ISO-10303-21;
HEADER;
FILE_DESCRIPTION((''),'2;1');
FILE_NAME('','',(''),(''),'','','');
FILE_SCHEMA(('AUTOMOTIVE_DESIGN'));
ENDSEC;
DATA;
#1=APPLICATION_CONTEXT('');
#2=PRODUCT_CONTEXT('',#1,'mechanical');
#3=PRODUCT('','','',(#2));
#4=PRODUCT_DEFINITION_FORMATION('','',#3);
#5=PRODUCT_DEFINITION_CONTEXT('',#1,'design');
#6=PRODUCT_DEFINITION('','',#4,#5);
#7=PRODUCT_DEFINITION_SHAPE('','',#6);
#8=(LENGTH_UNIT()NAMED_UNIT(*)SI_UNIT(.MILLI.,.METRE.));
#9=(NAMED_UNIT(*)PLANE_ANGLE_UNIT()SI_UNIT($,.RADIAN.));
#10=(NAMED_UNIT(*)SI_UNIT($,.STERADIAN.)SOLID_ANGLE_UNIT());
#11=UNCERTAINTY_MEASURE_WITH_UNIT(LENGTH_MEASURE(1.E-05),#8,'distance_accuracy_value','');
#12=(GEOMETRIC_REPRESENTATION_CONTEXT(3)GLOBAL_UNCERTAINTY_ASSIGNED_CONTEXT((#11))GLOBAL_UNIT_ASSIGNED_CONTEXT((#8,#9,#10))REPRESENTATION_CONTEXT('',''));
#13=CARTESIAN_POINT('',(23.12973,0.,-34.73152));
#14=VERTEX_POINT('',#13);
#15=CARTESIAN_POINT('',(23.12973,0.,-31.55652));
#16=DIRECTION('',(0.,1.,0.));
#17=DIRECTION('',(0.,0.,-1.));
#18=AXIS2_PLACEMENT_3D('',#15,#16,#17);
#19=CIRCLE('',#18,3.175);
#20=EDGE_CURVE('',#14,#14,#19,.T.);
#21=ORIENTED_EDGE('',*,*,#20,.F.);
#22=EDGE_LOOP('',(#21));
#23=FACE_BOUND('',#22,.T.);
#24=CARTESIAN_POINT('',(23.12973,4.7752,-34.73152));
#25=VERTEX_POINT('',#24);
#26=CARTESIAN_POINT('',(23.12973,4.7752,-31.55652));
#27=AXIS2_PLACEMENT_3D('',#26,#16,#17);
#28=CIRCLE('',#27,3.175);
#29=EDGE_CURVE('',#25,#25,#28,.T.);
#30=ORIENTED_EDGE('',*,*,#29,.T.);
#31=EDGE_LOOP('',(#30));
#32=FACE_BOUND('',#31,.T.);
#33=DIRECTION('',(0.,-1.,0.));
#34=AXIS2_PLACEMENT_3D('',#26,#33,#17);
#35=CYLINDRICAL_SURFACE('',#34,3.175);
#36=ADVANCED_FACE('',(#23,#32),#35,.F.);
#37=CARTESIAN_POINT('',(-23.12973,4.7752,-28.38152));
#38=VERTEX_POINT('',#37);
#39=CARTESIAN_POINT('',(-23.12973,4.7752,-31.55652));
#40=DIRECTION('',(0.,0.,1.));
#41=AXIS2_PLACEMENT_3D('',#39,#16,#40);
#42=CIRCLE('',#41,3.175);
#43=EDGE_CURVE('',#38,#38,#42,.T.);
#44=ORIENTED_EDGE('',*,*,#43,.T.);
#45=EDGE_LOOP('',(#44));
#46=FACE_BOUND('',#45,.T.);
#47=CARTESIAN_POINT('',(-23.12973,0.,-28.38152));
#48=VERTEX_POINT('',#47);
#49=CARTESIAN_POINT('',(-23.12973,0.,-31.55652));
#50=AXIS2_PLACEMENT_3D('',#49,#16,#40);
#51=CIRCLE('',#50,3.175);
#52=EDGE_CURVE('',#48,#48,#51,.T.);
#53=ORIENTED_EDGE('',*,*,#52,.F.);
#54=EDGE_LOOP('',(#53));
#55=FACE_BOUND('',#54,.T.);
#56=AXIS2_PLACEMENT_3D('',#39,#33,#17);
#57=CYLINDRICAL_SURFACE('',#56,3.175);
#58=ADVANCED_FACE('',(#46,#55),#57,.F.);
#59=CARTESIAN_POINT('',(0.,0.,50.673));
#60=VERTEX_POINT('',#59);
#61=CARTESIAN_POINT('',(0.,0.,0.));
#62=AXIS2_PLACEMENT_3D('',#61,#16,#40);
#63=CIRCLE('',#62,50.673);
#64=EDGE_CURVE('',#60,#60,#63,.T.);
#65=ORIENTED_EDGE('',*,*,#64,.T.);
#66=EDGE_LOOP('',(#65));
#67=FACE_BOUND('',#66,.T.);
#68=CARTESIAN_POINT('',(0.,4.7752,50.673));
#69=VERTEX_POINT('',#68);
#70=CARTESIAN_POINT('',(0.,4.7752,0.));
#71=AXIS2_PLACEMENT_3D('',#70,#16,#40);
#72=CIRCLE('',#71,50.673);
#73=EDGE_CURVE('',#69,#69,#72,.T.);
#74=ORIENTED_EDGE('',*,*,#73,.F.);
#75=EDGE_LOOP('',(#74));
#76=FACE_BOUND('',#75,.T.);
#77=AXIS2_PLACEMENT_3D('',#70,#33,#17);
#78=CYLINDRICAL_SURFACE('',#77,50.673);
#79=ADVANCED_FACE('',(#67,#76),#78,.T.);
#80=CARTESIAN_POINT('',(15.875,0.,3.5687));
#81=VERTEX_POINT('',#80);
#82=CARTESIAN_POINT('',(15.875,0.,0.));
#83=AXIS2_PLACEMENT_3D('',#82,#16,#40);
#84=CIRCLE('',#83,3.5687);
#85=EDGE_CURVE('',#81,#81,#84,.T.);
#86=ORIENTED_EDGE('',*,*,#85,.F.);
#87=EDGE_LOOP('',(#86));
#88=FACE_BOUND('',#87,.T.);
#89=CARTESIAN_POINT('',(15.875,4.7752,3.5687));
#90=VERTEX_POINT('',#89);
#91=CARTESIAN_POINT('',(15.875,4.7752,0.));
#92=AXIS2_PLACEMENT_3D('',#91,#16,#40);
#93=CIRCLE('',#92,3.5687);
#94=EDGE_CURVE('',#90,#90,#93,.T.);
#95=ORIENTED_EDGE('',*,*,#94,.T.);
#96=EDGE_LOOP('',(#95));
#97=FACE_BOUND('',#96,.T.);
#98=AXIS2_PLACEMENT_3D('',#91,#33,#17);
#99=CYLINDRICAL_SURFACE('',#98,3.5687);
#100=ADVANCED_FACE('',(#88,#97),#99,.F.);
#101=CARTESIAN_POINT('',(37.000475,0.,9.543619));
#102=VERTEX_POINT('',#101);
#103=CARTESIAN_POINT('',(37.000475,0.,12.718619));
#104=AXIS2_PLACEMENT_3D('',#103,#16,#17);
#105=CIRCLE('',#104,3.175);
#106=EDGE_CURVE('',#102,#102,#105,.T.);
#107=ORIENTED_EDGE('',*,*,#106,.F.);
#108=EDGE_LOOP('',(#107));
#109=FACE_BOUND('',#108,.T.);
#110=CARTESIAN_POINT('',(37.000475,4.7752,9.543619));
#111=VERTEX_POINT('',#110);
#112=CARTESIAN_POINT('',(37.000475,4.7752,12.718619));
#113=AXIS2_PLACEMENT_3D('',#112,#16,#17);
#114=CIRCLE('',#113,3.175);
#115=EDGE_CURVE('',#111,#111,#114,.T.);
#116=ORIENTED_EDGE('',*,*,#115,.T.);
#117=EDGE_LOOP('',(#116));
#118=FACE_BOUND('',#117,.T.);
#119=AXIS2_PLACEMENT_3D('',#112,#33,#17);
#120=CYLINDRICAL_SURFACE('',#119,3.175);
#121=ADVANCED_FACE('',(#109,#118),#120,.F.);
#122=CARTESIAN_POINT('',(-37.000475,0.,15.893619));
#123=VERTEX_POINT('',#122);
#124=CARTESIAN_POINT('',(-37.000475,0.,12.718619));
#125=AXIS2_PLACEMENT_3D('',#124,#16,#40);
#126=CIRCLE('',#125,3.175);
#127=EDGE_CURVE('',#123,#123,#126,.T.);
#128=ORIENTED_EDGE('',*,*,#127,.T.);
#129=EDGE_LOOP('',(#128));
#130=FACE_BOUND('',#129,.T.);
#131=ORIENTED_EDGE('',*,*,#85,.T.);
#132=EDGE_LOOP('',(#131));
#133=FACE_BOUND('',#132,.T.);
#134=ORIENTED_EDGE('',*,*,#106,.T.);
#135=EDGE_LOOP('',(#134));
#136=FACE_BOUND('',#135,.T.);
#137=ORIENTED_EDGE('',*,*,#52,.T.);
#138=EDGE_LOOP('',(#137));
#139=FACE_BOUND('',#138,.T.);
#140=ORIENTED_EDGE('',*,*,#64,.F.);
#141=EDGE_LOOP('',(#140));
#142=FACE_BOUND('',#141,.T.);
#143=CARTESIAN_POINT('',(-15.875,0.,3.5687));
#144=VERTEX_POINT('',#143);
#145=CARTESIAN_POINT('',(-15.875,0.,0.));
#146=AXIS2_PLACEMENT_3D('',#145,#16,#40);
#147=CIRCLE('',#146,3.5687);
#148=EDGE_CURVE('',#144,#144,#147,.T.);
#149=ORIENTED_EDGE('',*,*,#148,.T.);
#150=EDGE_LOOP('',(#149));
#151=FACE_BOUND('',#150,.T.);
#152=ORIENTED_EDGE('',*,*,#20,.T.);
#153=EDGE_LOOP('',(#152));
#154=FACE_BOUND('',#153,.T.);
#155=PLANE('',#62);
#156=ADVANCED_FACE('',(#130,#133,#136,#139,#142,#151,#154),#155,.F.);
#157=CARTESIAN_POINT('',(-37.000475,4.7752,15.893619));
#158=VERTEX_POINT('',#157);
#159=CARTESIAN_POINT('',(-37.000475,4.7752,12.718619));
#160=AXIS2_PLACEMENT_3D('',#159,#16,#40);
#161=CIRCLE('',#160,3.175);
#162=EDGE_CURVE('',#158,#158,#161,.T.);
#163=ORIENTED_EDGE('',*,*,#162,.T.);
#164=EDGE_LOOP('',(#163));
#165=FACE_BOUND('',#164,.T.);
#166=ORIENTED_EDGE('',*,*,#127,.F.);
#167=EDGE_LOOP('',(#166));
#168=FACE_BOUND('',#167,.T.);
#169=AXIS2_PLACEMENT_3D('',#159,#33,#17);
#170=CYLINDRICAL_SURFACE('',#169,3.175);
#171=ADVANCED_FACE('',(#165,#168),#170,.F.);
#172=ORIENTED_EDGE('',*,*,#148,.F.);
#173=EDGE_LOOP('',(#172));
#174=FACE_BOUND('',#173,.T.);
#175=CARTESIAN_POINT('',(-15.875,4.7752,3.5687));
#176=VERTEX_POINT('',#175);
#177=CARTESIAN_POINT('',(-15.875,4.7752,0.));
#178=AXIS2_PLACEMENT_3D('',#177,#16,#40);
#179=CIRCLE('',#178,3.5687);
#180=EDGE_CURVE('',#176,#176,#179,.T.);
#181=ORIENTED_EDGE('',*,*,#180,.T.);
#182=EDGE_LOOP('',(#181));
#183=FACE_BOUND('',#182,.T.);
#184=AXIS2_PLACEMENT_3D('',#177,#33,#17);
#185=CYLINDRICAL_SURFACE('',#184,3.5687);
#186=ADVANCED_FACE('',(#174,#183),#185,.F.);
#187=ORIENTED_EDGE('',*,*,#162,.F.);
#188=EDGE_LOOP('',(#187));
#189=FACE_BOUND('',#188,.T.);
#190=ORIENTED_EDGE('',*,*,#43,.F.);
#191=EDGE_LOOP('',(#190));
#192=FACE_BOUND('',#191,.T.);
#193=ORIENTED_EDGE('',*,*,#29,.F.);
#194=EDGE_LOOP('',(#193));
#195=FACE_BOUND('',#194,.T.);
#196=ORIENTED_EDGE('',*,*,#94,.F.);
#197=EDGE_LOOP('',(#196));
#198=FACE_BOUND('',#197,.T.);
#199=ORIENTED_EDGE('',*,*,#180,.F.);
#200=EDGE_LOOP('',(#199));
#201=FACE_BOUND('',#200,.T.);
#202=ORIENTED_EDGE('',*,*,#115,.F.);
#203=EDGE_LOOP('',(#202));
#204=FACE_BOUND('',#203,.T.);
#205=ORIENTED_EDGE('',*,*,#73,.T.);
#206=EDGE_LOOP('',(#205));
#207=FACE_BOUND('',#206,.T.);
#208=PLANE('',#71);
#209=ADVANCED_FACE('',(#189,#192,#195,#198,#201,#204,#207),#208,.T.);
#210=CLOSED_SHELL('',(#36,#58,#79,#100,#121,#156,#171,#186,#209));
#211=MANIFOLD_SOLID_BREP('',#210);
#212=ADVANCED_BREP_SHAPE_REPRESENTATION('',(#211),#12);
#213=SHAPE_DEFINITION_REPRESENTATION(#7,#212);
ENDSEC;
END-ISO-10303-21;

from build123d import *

# Parameters (mm, degrees)
SKETCH1_R           = 50.673
SKETCH1_R_2         = 3.5687
SKETCH1_R_3         = 3.175
BOSS_EXTRUDE1_DEPTH = 4.7752


with BuildPart() as part:
    # Sketch1 → Boss-Extrude1 (new body)
    with BuildSketch(Plane(origin=(0, 0, 0), x_dir=(1, 0, 0), z_dir=(0, 1, 0))):
        with Locations(Location((0, 0, 0), (0, 0, 270))):
            Circle(SKETCH1_R)
        with Locations(Location((-15.875, 0, 0), (0, 0, 270))):
            Circle(SKETCH1_R_2, mode=Mode.SUBTRACT)
        with Locations(Location((15.875, 0, 0), (0, 0, 270))):
            Circle(SKETCH1_R_2, mode=Mode.SUBTRACT)
        with Locations(Location((-37.000474805, -12.718618741, 0), (0, 0, 270))):
            Circle(SKETCH1_R_3, mode=Mode.SUBTRACT)
        with Locations(Location((-23.12973035, 31.556520284, 0), (0, 0, 270))):
            Circle(SKETCH1_R_3, mode=Mode.SUBTRACT)
        with Locations(Location((23.12973035, 31.556520284, 0), (0, 0, 90))):
            Circle(SKETCH1_R_3, mode=Mode.SUBTRACT)
        with Locations(Location((37.000474805, -12.718618741, 0), (0, 0, 90))):
            Circle(SKETCH1_R_3, mode=Mode.SUBTRACT)
    extrude(amount=BOSS_EXTRUDE1_DEPTH)


solid = part.part
